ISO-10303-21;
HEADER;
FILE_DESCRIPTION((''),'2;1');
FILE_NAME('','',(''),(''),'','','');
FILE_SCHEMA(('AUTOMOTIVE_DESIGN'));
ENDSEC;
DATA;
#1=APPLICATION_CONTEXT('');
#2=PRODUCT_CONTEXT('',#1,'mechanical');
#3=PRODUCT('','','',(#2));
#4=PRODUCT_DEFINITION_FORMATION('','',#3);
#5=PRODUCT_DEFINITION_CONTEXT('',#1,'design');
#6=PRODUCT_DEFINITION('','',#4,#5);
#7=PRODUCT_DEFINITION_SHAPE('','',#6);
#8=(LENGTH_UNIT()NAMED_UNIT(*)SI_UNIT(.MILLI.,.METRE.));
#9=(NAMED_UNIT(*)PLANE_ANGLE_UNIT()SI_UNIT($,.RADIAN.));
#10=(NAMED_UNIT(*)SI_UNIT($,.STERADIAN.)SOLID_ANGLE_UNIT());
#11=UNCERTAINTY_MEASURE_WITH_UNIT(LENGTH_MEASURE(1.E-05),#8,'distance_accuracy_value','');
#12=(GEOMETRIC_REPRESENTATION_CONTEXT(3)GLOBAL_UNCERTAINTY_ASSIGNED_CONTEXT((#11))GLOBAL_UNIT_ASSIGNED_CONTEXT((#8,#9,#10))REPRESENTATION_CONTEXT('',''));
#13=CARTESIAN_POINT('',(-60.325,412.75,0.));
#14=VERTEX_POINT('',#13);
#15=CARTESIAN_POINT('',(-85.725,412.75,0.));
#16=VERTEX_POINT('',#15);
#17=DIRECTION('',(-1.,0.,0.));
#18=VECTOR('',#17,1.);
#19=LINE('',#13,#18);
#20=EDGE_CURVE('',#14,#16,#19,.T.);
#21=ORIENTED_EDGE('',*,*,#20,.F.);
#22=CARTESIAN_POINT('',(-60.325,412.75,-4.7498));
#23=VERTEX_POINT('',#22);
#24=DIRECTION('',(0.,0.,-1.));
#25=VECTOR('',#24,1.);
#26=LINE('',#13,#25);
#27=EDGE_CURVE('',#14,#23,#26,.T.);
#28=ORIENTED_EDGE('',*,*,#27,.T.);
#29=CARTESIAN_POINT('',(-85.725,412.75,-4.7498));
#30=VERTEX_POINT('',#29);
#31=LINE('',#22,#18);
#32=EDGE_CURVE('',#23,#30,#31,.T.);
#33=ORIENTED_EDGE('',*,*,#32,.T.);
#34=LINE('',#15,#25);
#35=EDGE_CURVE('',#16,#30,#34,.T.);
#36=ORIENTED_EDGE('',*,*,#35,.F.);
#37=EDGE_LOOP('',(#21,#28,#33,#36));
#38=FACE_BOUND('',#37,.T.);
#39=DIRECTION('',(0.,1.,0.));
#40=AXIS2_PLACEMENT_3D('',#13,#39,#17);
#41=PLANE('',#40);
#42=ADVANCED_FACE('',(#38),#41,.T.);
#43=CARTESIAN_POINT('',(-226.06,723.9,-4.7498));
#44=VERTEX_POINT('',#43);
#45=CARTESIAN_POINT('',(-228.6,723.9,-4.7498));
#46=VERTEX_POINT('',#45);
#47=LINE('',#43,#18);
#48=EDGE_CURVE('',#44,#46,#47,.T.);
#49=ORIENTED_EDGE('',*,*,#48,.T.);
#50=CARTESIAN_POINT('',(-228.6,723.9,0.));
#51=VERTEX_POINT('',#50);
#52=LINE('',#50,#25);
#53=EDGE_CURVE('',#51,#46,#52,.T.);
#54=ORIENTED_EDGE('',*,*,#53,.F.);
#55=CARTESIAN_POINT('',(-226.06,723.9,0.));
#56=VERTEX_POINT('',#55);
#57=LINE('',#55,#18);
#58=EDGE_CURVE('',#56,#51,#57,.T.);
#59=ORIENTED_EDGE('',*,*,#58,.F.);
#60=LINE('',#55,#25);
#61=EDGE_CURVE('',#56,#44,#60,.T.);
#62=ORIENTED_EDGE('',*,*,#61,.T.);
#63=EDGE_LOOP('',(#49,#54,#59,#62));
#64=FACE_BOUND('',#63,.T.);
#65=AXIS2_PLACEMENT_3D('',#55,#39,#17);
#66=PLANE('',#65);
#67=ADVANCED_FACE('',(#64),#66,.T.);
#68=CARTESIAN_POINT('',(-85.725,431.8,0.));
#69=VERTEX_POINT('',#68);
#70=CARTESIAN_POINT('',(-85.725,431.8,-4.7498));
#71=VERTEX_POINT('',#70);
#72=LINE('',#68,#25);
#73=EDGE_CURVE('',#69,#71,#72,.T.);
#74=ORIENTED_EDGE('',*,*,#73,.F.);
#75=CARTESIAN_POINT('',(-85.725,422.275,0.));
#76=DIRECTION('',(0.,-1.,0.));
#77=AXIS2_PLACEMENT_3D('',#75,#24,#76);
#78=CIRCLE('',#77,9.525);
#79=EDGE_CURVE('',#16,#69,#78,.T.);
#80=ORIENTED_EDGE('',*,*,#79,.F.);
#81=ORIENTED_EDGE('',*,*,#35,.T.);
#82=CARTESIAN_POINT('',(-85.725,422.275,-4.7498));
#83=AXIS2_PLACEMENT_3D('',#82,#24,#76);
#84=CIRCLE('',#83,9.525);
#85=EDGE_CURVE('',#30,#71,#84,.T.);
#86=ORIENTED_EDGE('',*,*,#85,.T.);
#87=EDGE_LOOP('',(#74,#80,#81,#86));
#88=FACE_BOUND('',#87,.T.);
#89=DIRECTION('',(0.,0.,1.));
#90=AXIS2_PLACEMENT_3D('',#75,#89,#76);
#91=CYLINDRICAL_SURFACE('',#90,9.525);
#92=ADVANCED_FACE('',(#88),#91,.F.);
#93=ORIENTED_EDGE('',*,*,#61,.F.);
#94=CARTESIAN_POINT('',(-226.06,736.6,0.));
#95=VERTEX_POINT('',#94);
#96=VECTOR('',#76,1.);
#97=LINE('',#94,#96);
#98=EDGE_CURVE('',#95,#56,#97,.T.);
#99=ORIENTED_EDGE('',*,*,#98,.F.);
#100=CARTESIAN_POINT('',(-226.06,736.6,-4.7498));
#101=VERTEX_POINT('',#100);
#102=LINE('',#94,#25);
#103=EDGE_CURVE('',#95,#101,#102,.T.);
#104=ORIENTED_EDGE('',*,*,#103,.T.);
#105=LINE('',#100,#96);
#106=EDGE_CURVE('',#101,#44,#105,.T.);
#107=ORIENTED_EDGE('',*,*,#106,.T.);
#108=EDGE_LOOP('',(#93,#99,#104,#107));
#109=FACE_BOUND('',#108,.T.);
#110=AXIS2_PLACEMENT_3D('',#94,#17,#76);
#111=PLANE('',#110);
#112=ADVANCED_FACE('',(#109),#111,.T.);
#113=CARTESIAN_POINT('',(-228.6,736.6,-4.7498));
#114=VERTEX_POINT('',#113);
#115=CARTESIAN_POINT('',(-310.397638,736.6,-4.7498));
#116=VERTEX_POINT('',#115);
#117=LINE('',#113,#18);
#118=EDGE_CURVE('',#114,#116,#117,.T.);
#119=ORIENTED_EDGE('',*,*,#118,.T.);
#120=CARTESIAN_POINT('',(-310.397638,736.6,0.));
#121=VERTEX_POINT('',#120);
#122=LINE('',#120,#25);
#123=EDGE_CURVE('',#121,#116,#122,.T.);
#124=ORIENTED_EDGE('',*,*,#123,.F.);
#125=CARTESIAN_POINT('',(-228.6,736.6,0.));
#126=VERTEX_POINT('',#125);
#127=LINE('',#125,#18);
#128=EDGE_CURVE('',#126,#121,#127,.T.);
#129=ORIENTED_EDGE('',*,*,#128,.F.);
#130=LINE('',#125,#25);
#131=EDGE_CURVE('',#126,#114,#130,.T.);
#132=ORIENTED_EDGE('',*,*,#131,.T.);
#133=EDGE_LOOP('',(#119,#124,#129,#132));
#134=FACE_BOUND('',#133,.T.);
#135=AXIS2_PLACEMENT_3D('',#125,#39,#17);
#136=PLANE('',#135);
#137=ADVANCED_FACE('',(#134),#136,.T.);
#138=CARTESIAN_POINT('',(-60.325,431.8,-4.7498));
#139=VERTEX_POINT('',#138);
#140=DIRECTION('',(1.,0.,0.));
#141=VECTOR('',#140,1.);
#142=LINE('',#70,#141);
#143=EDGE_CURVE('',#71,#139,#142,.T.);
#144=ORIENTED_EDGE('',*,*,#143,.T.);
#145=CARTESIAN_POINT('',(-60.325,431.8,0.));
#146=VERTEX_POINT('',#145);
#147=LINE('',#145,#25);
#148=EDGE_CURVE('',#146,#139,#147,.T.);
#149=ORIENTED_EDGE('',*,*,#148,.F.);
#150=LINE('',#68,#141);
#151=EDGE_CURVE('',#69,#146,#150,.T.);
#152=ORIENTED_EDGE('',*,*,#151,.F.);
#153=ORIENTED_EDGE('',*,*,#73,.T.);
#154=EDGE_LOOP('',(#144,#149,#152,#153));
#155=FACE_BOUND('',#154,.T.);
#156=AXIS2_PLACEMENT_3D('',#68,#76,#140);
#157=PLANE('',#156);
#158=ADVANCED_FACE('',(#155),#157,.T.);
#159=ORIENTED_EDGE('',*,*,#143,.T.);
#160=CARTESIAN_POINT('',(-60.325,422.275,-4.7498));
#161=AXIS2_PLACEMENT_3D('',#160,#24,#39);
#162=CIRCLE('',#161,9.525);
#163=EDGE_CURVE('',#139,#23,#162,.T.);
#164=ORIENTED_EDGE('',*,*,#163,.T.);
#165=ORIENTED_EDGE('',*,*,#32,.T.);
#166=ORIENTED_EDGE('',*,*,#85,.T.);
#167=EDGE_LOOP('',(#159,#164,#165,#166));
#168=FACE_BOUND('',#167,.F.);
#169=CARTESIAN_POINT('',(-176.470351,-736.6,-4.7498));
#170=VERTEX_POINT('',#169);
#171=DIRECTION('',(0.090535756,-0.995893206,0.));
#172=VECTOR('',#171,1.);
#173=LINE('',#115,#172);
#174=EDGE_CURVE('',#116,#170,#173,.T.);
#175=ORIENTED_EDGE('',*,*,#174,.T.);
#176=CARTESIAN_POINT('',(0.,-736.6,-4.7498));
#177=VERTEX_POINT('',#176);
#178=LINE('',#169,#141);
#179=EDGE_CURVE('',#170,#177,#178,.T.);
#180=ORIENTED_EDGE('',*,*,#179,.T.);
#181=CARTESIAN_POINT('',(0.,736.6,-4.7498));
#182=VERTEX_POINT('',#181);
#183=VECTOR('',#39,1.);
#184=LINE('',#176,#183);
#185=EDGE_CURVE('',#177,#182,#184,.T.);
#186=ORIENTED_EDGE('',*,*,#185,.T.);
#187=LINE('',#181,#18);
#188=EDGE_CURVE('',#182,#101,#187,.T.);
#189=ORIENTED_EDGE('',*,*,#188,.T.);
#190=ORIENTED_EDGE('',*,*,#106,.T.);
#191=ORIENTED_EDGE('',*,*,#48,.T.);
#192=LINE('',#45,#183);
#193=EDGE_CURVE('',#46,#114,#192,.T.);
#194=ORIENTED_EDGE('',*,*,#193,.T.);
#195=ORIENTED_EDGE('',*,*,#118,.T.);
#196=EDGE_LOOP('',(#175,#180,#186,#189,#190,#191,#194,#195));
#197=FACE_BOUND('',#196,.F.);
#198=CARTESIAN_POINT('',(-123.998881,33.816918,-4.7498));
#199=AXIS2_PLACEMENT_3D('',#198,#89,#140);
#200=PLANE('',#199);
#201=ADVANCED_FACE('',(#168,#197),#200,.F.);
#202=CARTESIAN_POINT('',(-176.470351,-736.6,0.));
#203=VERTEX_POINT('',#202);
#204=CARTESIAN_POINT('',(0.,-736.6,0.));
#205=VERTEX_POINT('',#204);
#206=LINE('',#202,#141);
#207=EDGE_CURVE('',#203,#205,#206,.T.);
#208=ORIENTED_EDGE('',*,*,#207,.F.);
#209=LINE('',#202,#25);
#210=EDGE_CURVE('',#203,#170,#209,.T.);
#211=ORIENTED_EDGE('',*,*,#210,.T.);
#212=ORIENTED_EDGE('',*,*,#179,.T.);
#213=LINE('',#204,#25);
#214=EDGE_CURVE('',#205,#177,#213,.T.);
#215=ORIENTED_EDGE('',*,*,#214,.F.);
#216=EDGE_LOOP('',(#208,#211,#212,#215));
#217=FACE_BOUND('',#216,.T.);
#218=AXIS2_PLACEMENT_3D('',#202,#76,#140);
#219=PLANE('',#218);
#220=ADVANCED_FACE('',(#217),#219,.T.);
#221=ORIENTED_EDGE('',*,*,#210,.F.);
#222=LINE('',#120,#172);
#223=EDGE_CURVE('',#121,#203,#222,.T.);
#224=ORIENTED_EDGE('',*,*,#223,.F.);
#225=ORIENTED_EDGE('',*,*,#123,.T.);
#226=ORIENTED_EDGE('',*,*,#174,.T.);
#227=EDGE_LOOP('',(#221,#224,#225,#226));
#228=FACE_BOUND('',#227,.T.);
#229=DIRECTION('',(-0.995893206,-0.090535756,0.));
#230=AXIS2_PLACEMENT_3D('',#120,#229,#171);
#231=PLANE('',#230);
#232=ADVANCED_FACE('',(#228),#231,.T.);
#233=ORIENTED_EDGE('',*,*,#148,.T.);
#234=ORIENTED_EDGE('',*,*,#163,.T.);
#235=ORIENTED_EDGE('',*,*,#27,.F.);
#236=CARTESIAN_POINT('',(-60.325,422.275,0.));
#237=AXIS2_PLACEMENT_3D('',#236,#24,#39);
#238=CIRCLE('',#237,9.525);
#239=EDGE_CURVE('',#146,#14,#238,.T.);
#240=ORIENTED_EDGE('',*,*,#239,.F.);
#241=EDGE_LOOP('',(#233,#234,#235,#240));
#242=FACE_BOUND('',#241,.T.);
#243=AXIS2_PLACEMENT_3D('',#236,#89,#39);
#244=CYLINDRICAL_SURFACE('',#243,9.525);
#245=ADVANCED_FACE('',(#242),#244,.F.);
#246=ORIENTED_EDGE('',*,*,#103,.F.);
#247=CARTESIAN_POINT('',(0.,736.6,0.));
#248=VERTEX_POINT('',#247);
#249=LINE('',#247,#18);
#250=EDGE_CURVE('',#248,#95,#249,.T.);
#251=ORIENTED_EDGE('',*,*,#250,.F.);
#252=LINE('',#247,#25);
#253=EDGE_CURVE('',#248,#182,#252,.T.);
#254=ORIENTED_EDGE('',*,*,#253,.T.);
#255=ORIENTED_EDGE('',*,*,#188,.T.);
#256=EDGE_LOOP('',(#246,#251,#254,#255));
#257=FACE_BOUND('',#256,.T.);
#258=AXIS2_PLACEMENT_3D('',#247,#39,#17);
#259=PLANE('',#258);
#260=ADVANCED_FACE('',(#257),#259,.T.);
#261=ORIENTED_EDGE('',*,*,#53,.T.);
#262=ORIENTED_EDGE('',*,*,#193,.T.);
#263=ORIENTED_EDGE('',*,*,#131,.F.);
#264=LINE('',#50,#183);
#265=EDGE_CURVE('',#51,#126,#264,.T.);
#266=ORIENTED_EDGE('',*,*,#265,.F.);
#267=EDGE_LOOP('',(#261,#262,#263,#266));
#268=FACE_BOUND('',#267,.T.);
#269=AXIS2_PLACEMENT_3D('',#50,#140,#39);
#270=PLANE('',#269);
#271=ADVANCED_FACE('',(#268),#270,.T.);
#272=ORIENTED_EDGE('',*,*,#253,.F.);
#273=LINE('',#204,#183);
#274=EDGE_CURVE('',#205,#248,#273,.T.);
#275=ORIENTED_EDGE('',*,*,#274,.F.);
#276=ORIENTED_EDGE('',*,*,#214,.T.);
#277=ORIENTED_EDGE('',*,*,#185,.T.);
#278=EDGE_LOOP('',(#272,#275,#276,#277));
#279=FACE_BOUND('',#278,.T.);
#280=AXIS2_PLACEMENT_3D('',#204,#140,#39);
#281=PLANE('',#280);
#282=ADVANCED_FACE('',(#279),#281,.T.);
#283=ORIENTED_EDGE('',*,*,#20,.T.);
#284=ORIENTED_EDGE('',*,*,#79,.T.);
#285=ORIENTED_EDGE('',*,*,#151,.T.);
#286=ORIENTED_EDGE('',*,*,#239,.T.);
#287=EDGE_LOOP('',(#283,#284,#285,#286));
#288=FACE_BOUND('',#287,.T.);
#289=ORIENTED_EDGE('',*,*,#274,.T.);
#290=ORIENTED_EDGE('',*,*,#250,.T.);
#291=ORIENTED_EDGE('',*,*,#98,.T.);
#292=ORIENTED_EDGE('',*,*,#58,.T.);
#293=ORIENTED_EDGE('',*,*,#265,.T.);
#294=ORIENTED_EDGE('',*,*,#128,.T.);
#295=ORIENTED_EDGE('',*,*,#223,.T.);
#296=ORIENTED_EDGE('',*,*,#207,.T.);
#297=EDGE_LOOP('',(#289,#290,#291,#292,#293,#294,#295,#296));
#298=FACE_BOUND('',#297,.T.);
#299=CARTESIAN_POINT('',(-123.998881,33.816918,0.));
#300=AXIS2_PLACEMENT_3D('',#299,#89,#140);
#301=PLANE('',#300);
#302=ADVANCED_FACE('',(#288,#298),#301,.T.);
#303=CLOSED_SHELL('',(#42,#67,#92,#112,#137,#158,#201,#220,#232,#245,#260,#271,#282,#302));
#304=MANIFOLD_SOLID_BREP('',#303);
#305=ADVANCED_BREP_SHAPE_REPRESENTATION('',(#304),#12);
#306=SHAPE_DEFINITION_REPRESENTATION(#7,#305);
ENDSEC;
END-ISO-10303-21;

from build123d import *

# Parameters (mm, degrees)
F1_DEPTH = 4.7498


with BuildPart() as f1:
    # F0 (on Top) → F1 (new body)
    with BuildSketch(Plane.XY):
        Polygon((-310.397638, 736.6), (-176.470351, -736.6), (0, -736.6), (0, 736.6), (-226.06, 736.6), (-226.06, 723.9), (-228.6, 723.9), (-228.6, 736.6), align=None)
        with BuildLine():
            ThreePointArc((-85.725, 412.75), (-95.25, 422.275), (-85.725, 431.8))
            Line((-85.725, 431.8), (-60.325, 431.8))
            ThreePointArc((-60.325, 431.8), (-50.8, 422.275), (-60.325, 412.75))
            Line((-60.325, 412.75), (-85.725, 412.75))
        make_face(mode=Mode.SUBTRACT)
    extrude(amount=-F1_DEPTH)


solid = f1.part
